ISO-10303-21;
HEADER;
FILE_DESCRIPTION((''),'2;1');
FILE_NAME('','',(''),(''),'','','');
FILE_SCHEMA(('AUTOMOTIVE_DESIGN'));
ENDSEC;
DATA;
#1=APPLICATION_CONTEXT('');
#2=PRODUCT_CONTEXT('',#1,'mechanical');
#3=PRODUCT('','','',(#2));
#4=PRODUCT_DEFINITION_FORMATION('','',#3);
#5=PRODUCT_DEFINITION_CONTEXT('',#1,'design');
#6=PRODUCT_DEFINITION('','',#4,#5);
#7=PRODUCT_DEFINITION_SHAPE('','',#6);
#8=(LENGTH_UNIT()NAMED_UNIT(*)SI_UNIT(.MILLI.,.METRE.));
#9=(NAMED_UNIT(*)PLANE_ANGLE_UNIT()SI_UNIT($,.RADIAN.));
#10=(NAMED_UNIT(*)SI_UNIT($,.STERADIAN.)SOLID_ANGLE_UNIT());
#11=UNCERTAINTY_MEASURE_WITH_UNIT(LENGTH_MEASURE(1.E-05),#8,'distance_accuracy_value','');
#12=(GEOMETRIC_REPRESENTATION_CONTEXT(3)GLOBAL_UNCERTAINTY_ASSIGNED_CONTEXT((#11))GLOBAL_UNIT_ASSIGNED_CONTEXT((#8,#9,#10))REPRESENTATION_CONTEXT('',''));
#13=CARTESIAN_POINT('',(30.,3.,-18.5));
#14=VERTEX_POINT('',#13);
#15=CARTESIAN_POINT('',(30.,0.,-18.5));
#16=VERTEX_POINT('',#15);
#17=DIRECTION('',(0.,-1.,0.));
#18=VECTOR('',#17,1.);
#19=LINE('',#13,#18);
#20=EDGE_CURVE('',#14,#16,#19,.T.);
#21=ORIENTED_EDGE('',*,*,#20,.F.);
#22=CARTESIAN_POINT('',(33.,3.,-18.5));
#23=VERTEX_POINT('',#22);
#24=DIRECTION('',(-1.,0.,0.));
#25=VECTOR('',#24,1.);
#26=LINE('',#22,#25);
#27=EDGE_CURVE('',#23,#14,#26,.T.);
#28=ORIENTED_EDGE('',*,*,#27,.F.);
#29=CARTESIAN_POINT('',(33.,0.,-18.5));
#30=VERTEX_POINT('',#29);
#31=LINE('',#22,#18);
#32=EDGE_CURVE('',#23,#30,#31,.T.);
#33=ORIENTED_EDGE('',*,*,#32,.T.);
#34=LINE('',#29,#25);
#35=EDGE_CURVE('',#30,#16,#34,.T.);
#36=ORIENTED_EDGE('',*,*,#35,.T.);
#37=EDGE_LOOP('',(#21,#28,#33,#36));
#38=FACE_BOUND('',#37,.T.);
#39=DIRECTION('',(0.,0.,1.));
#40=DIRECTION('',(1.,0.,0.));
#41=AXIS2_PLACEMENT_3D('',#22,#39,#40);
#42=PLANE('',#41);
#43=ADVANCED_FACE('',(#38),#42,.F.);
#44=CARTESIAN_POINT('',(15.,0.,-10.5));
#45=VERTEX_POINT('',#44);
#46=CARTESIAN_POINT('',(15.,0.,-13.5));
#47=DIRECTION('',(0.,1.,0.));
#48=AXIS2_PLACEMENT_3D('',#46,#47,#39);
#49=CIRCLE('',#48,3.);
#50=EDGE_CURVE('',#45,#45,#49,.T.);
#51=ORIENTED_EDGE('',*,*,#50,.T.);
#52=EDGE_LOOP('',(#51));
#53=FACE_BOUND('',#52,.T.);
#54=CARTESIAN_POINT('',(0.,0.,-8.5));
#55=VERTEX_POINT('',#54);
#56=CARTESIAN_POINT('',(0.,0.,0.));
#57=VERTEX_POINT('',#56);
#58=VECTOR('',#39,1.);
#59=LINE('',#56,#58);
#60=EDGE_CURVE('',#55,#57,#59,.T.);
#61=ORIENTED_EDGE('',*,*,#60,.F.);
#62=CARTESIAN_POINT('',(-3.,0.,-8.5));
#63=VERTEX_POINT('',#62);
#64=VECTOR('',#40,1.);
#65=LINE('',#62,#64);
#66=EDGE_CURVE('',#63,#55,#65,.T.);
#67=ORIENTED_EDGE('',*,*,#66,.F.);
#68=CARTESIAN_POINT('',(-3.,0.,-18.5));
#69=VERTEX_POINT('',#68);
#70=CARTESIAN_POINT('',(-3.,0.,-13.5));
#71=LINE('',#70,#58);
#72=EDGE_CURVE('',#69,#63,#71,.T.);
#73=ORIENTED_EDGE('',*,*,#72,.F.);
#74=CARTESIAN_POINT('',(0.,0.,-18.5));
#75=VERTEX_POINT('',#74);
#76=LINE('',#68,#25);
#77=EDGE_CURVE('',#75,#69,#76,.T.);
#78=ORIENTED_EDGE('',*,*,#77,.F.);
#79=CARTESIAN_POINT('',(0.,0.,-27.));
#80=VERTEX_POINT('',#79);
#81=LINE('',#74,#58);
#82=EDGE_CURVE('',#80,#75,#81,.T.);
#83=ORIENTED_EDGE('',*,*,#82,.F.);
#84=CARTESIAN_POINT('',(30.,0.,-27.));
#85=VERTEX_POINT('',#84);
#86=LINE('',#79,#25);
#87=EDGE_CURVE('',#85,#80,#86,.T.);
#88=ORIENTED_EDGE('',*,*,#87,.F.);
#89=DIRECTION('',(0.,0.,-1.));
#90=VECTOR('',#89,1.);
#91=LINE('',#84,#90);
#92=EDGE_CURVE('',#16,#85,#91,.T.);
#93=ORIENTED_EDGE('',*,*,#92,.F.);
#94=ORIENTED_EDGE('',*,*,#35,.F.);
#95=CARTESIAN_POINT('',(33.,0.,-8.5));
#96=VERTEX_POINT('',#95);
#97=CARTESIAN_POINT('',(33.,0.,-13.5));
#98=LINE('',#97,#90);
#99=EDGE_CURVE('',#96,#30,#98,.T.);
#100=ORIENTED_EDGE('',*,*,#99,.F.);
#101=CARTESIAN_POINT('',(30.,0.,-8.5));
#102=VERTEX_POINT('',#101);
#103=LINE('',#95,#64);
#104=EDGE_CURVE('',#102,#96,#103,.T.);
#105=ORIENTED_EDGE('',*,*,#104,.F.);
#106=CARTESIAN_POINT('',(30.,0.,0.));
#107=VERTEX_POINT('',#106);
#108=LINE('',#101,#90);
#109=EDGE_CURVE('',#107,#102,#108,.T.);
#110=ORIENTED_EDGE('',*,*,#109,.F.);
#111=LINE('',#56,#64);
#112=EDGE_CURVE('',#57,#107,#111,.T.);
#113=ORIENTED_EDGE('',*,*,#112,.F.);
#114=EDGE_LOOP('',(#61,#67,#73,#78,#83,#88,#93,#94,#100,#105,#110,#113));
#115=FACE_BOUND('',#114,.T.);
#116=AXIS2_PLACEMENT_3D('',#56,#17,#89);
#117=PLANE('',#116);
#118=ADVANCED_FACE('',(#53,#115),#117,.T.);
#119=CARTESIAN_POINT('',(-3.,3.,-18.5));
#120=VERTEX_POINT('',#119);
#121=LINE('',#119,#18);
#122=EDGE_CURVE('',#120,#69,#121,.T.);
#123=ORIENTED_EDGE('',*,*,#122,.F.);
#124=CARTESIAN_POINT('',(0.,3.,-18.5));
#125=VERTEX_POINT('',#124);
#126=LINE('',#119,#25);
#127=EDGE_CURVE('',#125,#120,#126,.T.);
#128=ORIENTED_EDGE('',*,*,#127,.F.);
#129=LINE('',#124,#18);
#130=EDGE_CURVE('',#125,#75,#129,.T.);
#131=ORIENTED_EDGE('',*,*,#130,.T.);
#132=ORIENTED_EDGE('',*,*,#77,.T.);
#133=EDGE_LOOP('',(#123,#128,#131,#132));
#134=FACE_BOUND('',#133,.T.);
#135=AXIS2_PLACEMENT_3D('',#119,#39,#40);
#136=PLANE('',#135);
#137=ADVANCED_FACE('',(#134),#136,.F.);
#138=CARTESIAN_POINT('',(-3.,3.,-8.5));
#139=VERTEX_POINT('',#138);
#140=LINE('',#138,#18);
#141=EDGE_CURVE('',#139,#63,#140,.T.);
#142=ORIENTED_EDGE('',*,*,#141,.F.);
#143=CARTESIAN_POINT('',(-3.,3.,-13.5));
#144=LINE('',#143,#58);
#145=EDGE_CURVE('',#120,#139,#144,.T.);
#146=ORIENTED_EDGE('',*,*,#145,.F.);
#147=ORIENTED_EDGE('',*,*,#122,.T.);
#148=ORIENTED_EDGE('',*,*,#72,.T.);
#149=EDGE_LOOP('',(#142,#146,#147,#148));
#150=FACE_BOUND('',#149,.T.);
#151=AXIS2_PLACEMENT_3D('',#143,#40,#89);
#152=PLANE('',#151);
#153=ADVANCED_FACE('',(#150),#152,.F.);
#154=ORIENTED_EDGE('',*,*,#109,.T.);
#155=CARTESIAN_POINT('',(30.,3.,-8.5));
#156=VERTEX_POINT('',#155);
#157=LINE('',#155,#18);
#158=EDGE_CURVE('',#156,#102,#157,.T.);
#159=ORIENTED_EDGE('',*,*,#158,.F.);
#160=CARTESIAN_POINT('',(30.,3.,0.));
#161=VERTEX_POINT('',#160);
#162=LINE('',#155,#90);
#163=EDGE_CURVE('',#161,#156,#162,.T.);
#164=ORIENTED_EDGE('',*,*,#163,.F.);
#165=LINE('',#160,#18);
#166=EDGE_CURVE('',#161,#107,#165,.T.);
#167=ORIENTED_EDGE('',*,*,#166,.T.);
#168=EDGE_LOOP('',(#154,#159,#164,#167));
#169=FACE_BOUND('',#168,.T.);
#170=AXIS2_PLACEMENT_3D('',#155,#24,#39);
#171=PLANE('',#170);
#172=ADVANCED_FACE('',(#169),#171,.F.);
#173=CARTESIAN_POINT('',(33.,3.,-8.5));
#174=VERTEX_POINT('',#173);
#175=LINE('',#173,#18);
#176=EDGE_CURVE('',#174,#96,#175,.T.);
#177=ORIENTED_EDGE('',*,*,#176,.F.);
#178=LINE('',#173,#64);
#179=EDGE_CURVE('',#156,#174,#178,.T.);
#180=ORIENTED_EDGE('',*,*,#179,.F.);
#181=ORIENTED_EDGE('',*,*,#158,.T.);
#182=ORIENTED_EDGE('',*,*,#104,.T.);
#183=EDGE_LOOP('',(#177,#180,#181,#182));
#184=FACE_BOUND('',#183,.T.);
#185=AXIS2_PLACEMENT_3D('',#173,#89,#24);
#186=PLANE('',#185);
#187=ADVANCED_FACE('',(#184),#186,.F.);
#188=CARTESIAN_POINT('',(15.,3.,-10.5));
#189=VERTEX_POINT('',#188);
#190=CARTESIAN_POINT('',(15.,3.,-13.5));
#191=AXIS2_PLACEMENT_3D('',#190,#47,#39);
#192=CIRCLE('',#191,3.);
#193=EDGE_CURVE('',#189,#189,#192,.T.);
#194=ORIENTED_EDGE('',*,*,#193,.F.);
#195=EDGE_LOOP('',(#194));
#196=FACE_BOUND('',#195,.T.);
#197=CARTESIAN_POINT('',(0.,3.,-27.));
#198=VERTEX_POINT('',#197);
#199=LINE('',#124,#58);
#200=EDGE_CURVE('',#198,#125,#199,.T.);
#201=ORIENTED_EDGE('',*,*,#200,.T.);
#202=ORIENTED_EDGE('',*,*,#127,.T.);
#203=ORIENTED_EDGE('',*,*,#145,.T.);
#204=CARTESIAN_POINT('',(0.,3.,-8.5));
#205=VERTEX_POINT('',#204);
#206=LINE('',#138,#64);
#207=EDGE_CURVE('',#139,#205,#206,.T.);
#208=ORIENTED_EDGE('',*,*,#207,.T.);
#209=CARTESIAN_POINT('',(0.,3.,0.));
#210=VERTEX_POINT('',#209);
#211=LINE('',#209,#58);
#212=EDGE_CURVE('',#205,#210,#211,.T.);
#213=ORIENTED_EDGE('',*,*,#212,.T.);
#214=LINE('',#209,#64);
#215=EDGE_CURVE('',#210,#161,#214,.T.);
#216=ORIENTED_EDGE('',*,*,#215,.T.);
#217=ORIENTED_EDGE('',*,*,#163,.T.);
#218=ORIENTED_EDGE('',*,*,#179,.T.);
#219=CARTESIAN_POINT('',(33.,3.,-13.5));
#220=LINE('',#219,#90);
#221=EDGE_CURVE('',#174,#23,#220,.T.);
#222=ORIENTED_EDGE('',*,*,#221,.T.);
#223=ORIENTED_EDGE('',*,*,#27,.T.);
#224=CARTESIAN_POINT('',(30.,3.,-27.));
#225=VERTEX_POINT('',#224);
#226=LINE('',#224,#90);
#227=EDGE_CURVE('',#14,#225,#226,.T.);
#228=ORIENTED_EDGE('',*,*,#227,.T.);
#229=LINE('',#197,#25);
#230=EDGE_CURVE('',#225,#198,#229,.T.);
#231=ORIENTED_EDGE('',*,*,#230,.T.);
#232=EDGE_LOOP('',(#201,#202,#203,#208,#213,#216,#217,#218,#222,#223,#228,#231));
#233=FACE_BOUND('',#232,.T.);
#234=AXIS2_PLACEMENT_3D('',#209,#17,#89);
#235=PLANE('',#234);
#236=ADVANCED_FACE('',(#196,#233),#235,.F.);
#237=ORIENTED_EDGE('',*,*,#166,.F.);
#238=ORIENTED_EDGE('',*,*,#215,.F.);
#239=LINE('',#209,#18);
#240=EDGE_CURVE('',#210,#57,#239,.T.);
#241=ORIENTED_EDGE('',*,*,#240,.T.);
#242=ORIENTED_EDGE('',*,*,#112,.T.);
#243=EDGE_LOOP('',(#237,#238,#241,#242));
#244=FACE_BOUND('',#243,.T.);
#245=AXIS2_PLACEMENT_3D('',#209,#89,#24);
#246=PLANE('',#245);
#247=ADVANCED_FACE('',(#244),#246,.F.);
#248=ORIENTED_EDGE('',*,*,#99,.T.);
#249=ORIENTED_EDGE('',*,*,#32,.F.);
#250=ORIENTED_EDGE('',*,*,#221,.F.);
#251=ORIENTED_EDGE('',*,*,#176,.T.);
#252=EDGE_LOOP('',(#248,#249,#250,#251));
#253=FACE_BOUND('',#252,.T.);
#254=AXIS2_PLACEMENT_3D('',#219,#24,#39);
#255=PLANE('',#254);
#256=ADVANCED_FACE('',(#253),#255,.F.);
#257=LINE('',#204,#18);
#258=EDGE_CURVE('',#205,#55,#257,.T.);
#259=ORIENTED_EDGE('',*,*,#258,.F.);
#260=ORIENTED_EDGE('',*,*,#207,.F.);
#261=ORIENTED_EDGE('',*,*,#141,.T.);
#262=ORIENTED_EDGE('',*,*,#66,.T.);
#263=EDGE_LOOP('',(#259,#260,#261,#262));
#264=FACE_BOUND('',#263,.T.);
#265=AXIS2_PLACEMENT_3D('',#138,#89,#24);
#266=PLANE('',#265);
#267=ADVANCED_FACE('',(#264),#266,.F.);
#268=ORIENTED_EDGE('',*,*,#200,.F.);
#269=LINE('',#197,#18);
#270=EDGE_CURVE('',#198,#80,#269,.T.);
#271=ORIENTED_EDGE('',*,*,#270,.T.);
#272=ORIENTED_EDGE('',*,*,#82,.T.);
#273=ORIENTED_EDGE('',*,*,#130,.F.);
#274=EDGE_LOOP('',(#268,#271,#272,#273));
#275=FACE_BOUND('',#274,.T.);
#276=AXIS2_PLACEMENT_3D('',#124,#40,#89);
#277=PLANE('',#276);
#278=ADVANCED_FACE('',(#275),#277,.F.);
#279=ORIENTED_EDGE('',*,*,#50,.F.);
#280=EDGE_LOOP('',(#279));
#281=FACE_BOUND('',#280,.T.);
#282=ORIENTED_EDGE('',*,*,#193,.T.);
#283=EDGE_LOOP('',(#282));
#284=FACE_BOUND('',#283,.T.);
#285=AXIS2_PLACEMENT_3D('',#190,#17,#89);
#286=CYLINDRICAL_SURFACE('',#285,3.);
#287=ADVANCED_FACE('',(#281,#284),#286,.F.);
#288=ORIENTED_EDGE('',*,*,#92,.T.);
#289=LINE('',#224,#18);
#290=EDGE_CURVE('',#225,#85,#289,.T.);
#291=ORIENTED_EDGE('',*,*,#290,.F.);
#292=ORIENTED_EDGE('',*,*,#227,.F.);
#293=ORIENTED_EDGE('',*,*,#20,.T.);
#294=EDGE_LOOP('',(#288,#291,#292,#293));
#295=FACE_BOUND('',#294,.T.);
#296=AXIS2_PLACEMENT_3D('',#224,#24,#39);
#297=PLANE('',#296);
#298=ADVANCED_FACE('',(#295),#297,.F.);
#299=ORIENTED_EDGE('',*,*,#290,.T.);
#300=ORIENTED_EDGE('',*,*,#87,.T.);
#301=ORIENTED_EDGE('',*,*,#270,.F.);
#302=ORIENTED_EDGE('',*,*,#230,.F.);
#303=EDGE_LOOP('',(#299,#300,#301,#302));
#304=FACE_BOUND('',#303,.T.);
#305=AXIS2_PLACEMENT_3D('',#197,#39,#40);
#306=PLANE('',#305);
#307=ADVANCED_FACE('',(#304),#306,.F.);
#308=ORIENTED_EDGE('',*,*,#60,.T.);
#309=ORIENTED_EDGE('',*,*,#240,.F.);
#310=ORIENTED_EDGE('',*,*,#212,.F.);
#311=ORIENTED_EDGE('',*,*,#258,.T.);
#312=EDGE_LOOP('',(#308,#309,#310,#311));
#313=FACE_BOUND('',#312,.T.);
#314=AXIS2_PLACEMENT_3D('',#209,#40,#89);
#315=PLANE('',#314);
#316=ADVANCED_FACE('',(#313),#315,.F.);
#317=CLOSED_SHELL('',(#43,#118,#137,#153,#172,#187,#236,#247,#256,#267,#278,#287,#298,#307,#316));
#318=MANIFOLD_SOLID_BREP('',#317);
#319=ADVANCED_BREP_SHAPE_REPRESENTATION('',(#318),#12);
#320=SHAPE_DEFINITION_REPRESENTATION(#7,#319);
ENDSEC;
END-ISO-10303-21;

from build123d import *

# Parameters (mm, degrees)
CROQUIS1_R              = 3
SALIENTE_EXTRUIR1_DEPTH = 3


with BuildPart() as part:
    # Croquis1 → Saliente-Extruir1 (new body)
    with BuildSketch(Plane(origin=(0, 0, 0), x_dir=(1, 0, 0), z_dir=(0, 1, 0))):
        Polygon((0, 0), (30, 0), (30, 8.5), (33, 8.5), (33, 13.5), (33, 18.5), (30, 18.5), (30, 27), (0, 27), (0, 18.5), (-3, 18.5), (-3, 13.5), (-3, 8.5), (0, 8.5), align=None)
        with Locations(Location((15, 13.5, 0), (0, 0, 270))):
            Circle(CROQUIS1_R, mode=Mode.SUBTRACT)
    extrude(amount=SALIENTE_EXTRUIR1_DEPTH)


solid = part.part
